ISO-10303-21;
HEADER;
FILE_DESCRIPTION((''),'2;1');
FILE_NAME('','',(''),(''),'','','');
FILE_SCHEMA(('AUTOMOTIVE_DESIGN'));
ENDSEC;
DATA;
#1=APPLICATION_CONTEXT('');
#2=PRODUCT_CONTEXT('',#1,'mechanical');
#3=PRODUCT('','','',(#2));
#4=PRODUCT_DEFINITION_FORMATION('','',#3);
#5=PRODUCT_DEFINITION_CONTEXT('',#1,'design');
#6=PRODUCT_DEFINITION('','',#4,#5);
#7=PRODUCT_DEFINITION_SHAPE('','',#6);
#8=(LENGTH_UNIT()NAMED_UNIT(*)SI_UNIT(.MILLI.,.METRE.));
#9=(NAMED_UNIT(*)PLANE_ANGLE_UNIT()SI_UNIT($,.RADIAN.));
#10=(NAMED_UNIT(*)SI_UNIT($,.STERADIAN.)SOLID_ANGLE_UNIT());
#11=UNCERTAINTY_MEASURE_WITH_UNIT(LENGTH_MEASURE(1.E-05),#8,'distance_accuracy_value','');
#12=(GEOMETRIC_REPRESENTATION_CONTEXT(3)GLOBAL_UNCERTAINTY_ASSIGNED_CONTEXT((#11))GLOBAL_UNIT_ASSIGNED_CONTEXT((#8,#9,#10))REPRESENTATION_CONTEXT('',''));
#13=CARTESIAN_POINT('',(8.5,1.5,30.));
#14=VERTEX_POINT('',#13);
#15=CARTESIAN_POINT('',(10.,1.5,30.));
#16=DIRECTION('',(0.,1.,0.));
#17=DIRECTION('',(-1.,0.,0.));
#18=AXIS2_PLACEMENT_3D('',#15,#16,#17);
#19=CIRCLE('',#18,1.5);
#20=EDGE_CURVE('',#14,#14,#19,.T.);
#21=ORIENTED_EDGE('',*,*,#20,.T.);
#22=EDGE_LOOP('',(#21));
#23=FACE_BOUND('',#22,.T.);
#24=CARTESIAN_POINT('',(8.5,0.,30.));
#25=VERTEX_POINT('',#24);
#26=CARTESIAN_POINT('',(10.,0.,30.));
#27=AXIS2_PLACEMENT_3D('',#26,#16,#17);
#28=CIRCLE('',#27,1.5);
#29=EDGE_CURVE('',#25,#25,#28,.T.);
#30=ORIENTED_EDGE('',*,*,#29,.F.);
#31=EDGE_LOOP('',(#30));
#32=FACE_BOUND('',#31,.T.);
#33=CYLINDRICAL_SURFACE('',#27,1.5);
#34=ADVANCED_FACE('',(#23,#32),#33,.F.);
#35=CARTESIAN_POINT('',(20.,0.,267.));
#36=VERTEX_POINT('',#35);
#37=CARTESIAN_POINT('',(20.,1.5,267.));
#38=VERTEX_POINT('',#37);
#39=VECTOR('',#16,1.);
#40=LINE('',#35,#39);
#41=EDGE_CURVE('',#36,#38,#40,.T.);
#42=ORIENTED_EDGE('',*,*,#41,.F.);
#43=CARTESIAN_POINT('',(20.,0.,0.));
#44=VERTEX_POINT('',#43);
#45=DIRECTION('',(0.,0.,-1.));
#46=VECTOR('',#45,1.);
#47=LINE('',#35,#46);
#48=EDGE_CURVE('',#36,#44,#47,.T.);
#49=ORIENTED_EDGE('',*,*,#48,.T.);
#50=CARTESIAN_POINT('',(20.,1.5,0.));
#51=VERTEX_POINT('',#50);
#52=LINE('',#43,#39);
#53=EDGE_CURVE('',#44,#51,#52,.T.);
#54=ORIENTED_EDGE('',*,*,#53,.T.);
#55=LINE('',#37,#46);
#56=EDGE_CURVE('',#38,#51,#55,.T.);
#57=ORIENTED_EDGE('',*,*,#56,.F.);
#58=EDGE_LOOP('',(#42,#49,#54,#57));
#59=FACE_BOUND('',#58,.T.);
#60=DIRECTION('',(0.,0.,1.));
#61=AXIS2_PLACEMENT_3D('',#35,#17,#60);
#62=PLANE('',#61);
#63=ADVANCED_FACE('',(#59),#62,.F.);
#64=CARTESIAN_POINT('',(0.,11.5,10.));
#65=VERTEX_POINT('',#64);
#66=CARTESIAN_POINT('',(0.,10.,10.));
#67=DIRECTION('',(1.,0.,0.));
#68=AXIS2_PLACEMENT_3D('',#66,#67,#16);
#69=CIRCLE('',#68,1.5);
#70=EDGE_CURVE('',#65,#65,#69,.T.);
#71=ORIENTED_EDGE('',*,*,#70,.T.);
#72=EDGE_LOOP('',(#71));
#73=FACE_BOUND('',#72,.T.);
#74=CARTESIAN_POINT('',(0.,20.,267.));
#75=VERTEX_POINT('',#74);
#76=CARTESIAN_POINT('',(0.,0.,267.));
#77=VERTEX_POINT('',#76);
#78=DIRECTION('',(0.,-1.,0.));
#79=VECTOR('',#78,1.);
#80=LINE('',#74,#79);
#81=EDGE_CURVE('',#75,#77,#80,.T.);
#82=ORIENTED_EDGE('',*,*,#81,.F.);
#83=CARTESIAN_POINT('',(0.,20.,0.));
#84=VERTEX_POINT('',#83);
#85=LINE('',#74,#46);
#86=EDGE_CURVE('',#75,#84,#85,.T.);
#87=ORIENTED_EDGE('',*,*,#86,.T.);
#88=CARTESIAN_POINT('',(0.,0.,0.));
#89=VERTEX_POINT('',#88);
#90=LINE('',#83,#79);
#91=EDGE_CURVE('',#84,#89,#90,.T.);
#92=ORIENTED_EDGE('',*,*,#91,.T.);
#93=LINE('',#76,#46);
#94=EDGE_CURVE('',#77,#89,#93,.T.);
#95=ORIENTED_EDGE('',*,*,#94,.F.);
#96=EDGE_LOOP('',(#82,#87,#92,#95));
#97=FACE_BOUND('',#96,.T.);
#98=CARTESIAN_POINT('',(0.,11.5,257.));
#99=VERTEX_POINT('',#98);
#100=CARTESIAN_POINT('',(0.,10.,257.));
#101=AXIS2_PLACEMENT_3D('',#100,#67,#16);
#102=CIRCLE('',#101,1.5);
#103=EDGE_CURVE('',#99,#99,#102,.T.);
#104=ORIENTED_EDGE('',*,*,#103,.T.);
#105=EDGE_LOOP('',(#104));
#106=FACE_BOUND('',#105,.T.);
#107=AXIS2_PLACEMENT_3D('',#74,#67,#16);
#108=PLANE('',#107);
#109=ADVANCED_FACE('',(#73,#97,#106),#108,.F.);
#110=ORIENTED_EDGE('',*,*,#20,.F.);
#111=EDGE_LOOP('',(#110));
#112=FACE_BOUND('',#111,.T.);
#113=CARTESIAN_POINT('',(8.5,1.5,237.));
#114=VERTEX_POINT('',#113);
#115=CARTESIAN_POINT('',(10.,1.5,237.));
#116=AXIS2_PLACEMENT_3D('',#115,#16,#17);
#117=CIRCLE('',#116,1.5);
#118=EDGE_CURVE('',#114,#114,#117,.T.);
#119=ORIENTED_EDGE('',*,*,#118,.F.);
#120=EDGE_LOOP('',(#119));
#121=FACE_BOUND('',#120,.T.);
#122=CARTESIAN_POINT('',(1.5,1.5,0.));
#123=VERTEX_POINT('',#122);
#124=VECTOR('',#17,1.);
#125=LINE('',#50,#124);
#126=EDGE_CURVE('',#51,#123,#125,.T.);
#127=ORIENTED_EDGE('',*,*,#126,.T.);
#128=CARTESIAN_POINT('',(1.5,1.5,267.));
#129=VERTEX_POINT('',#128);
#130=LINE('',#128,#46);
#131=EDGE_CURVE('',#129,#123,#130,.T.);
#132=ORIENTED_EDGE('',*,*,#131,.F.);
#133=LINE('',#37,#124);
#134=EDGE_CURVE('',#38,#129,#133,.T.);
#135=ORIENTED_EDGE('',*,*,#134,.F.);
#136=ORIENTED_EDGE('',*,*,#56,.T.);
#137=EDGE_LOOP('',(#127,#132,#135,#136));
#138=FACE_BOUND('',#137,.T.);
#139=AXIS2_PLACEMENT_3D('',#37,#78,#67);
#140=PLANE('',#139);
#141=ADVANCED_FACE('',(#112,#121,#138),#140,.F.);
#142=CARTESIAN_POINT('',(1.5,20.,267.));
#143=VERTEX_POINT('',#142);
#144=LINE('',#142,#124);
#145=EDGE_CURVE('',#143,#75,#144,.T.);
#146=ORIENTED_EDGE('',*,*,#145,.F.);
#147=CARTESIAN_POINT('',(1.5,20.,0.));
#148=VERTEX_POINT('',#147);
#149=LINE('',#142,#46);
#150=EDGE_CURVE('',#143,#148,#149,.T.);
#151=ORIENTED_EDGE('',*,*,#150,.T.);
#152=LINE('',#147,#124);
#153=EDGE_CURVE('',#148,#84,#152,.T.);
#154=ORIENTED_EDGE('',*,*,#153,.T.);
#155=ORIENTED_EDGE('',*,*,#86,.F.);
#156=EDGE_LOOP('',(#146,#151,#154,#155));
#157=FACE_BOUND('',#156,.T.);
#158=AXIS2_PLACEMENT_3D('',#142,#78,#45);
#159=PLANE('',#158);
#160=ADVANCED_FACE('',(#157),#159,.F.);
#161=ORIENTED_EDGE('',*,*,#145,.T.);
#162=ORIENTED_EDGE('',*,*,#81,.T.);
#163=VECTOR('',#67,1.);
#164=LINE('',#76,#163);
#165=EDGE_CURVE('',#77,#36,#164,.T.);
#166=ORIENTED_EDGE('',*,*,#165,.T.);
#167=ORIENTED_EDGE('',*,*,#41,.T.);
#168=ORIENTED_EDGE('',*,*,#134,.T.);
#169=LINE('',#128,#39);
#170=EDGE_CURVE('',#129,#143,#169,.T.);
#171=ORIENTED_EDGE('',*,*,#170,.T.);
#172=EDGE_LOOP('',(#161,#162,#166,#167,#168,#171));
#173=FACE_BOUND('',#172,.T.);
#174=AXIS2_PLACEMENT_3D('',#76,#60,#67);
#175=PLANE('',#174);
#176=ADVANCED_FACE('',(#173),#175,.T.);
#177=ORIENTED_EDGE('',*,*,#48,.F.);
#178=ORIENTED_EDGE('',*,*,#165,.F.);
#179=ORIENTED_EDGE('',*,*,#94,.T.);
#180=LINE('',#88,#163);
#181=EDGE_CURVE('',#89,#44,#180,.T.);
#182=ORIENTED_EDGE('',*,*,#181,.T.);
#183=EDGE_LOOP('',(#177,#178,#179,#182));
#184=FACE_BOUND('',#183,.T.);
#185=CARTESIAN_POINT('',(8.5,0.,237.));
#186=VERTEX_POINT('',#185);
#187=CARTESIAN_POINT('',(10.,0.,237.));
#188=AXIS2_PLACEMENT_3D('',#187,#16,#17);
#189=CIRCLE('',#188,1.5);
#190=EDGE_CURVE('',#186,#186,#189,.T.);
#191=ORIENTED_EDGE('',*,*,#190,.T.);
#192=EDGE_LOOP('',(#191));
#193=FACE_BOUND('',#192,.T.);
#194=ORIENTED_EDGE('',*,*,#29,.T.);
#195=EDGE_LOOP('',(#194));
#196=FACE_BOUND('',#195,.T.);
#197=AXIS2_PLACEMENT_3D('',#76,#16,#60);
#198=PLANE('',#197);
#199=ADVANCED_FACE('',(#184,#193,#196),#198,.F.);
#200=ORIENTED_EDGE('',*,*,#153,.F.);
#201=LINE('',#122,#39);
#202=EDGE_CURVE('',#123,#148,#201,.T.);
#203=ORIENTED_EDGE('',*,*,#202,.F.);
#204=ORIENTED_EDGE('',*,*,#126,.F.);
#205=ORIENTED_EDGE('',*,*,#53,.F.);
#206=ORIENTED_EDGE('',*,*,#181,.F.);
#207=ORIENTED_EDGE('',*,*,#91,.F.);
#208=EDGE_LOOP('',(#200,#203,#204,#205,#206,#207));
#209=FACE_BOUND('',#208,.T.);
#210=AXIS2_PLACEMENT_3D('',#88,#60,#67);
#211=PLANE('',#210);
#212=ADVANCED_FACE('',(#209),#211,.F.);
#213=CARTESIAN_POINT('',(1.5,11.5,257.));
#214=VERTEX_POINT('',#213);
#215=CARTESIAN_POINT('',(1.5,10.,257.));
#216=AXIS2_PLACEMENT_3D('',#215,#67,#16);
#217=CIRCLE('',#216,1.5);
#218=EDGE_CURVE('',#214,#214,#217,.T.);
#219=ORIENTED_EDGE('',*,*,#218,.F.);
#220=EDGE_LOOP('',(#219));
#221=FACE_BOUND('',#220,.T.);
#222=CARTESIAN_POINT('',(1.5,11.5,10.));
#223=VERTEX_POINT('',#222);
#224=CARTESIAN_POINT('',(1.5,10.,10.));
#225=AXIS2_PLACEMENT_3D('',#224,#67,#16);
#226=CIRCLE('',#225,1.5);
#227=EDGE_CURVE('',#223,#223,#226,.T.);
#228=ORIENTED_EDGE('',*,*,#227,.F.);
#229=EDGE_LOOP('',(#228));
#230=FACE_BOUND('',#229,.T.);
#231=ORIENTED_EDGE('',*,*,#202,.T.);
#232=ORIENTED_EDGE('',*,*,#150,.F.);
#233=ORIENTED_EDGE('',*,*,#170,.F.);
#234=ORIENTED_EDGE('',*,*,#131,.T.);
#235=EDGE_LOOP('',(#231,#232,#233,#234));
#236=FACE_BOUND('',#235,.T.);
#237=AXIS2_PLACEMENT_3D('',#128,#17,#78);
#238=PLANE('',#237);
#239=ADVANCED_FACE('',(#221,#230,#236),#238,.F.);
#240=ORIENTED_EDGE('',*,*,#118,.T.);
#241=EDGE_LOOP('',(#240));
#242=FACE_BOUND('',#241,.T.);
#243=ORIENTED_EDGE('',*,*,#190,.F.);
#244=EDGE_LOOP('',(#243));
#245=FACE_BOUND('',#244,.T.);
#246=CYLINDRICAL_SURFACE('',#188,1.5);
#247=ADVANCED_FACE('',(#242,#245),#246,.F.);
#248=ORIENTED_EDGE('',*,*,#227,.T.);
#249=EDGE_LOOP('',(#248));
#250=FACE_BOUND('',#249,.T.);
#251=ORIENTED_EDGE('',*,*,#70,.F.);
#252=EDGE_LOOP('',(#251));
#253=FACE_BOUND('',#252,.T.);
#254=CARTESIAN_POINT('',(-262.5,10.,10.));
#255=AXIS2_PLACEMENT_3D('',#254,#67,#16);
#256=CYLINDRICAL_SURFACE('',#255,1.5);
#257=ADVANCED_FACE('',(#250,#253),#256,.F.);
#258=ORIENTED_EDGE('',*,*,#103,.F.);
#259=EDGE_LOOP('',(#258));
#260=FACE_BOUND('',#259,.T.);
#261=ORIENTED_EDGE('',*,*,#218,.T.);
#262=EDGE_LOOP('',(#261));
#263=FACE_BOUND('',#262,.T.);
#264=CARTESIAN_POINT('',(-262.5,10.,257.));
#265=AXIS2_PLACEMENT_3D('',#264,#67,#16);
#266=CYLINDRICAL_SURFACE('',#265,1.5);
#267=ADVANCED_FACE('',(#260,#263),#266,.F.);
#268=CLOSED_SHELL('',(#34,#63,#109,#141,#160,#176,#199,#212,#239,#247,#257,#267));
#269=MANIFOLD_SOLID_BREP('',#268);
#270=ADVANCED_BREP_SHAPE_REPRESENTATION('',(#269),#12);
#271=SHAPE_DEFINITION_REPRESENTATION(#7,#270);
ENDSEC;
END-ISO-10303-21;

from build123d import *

# Parameters (mm, degrees)
EXTRUSION1_DEPTH = 267
ESQUISSE2_R      = 1.5
EXTRUSION2_DEPTH = 269.38638192
ESQUISSE3_R      = 1.5
EXTRUSION3_DEPTH = 264


with BuildPart() as part:
    # Esquisse1 → Extrusion1 (new body)
    with BuildSketch(Plane.XY):
        Polygon((0, 0), (20, 0), (20, 1.5), (1.5, 1.5), (1.5, 20), (0, 20), align=None)
    extrude(amount=EXTRUSION1_DEPTH)

    # Esquisse2 → Extrusion2 (cut, through all)
    with BuildSketch(Plane(origin=(0, 1.5, 0), x_dir=(1, 0, 0), z_dir=(0, 1, 0))):
        with Locations(Location((10, -30, 0), (0, 0, 180))):
            Circle(ESQUISSE2_R)
        with Locations(Location((10, -237, 0), (0, 0, 180))):
            Circle(ESQUISSE2_R)
    extrude(amount=-EXTRUSION2_DEPTH, mode=Mode.SUBTRACT)

    # Esquisse3 → Extrusion3 (cut)
    with BuildSketch(Plane(origin=(1.5, 0, 0), x_dir=(0, 0, -1), z_dir=(1, 0, 0))):
        with Locations(Location((-257, 10, 0), (0, 0, 90))):
            Circle(ESQUISSE3_R)
        with Locations(Location((-10, 10, 0), (0, 0, 90))):
            Circle(ESQUISSE3_R)
    extrude(amount=-EXTRUSION3_DEPTH, mode=Mode.SUBTRACT)


solid = part.part
